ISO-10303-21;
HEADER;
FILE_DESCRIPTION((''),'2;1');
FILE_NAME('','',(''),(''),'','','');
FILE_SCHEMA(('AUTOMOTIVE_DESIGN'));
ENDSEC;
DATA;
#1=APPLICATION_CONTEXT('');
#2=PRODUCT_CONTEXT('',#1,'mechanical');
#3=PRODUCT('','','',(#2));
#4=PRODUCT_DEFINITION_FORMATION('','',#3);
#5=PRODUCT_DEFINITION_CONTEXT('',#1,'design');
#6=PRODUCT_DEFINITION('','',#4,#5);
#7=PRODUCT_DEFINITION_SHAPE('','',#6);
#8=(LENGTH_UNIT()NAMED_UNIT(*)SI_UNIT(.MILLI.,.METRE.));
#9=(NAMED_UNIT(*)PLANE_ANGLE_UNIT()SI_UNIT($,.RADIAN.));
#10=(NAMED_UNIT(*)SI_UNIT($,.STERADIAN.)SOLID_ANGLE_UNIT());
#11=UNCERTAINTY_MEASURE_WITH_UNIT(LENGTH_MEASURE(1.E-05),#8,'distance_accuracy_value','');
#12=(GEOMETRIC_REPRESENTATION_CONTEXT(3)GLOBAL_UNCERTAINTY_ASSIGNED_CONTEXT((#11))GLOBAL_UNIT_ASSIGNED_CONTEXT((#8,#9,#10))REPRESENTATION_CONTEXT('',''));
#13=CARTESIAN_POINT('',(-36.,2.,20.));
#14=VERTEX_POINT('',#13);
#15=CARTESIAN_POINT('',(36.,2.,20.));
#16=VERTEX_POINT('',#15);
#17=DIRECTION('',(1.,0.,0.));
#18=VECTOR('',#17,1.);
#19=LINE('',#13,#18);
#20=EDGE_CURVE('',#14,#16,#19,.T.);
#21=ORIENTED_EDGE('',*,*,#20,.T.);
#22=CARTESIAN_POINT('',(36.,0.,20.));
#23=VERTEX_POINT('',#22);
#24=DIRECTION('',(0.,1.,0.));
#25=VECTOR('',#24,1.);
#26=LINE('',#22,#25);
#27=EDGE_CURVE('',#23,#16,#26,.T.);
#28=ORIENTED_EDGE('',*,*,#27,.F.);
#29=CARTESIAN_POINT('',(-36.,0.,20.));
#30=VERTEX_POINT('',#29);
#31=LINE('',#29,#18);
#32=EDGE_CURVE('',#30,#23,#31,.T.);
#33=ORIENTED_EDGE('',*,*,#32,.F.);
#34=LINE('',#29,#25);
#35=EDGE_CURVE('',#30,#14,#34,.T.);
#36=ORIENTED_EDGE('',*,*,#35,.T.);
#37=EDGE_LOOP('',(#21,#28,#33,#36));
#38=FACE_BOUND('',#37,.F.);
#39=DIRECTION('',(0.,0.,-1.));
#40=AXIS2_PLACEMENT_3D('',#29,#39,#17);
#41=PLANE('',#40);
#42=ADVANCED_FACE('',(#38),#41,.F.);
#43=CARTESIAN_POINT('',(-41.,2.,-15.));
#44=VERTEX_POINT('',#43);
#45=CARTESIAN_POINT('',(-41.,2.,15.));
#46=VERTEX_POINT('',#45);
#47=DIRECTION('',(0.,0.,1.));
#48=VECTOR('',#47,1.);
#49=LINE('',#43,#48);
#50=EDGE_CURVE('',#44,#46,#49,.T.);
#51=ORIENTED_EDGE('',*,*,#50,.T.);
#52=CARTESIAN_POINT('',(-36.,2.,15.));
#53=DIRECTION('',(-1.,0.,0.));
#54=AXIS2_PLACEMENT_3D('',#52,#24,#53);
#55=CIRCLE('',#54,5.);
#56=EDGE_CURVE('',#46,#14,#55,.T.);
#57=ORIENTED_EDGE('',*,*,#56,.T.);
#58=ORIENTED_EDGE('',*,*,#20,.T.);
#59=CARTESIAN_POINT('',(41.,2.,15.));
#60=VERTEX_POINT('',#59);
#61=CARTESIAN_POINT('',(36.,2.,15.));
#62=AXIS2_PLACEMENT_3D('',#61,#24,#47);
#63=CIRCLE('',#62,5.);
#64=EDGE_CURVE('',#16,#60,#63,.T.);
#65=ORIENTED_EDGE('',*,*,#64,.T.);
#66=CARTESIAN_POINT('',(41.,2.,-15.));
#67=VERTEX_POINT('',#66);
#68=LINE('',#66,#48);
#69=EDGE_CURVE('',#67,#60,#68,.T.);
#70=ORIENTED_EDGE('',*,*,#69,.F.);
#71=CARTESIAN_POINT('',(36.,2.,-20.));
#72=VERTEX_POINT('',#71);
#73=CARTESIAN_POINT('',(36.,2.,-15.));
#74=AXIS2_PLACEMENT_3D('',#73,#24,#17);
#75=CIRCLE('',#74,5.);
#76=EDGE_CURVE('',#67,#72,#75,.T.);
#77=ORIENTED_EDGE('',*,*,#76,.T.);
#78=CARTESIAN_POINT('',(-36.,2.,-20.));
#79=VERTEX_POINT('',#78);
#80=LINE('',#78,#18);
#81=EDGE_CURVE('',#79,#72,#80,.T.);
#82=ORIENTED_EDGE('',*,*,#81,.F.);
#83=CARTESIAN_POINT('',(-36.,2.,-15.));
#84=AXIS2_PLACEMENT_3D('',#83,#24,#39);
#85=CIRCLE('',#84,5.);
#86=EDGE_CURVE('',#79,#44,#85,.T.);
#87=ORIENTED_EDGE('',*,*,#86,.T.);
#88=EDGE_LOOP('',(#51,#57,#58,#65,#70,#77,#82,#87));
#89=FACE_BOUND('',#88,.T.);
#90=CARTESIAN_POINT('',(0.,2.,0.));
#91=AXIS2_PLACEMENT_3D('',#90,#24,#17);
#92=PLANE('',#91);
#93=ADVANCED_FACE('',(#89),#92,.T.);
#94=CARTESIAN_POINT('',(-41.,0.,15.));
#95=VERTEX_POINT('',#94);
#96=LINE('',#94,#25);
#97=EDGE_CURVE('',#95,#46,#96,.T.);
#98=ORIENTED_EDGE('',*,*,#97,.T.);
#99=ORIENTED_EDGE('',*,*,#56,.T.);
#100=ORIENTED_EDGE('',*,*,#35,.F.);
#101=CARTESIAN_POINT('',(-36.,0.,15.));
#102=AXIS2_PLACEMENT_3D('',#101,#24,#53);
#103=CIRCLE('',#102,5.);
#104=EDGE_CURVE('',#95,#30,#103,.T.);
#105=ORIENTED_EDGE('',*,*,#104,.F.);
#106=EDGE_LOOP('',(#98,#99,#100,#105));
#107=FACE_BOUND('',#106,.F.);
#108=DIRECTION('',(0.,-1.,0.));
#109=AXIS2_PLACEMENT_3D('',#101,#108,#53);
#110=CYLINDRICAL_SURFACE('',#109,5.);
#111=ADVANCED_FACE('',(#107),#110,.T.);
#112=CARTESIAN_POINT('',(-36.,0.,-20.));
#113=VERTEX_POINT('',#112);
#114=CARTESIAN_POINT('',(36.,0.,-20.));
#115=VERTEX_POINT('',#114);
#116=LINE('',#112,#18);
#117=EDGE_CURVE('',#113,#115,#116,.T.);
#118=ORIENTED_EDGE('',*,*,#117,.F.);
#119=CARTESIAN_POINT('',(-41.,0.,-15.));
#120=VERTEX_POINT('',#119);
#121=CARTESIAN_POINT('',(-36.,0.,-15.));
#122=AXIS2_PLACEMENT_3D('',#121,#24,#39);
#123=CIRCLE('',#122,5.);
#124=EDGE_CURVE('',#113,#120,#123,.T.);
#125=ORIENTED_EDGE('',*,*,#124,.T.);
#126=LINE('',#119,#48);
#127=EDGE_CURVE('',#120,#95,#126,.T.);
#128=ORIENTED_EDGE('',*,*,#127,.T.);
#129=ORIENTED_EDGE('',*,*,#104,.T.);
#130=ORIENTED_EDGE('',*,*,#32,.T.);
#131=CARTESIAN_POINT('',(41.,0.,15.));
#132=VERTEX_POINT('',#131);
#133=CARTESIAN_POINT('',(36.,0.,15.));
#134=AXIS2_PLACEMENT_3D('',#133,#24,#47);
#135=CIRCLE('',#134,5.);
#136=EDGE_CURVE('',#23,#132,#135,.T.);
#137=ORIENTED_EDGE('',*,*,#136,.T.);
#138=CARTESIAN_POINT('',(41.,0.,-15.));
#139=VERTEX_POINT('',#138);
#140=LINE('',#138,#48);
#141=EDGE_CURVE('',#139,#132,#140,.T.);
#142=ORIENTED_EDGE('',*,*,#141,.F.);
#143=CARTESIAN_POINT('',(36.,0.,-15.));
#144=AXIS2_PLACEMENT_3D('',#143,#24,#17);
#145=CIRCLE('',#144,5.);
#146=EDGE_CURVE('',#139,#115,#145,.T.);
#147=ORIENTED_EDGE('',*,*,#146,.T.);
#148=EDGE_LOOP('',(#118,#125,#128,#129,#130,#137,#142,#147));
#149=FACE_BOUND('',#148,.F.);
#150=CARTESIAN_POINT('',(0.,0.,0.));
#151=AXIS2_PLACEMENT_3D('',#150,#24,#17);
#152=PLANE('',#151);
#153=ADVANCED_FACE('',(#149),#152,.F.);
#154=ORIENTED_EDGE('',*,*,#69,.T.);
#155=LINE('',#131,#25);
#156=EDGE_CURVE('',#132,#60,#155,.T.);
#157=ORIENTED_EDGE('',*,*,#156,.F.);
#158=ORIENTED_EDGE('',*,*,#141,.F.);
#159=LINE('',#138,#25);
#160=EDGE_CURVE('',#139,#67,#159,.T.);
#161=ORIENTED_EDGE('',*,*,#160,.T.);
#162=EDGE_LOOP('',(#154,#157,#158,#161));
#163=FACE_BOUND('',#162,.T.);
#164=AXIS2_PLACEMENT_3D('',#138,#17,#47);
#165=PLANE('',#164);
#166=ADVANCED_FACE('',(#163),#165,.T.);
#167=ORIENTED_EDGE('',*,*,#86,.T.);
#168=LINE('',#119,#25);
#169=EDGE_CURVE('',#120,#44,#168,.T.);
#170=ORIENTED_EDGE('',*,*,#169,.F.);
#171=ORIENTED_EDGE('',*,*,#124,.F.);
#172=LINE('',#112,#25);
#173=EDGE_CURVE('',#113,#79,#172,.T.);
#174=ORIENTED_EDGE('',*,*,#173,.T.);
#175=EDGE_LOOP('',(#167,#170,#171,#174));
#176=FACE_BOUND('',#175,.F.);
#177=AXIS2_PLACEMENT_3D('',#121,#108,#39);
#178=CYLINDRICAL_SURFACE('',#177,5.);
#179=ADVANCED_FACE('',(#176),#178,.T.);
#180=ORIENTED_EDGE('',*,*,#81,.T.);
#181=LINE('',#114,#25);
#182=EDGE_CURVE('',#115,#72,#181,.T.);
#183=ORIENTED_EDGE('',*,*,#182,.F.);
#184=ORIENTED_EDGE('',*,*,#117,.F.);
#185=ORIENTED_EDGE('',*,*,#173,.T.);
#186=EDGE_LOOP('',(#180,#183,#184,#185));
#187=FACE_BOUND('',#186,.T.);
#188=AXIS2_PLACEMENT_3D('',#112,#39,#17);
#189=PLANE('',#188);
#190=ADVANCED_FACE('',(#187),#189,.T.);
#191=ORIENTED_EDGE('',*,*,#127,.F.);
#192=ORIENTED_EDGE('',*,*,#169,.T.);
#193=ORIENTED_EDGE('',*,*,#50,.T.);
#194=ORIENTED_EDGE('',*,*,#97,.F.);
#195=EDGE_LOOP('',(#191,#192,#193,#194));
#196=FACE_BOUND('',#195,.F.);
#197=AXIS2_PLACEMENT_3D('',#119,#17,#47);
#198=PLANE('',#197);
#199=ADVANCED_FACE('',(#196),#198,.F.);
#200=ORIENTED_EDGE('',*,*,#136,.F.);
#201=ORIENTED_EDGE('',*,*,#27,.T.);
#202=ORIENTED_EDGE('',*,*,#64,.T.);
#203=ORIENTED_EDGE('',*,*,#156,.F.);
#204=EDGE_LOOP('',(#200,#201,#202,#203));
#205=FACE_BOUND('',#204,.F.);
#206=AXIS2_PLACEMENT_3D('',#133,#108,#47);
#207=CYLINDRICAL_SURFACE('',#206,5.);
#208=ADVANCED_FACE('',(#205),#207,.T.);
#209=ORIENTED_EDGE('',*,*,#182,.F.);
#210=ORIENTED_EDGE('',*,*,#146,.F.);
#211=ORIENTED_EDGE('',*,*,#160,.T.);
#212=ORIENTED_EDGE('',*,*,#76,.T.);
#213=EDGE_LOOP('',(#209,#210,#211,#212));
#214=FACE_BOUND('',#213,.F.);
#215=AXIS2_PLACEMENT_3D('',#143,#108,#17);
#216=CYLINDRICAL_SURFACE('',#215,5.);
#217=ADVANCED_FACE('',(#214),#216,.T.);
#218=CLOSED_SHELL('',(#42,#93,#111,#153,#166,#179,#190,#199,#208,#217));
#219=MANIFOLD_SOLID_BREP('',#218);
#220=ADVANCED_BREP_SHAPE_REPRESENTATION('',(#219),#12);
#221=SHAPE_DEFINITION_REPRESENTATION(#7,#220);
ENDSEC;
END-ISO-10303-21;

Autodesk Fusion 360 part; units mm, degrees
sketch "スケッチ1" plane through (0, 0, 0) normal (0, 1, 0) x (1, 0, 0)
  line L0 (-41, 15) -> (-41, -15)
  line L1 (-36, 20) -> (36, 20)
  line L2 (41, 15) -> (41, -15)
  line L3 (-36, -20) -> (36, -20)
  arc A0 (-41, -15) -> (-36, -20) centre (-36, -15) ccw
  arc A1 (-36, 20) -> (-41, 15) centre (-36, 15) ccw
  arc A2 (41, 15) -> (36, 20) centre (36, 15) ccw
  arc A3 (36, -20) -> (41, -15) centre (36, -15) ccw
  dimension "d1" = 30
  dimension "d2" = 72
extrude "押し出し1" add sketch "スケッチ1" along normal blind 2
